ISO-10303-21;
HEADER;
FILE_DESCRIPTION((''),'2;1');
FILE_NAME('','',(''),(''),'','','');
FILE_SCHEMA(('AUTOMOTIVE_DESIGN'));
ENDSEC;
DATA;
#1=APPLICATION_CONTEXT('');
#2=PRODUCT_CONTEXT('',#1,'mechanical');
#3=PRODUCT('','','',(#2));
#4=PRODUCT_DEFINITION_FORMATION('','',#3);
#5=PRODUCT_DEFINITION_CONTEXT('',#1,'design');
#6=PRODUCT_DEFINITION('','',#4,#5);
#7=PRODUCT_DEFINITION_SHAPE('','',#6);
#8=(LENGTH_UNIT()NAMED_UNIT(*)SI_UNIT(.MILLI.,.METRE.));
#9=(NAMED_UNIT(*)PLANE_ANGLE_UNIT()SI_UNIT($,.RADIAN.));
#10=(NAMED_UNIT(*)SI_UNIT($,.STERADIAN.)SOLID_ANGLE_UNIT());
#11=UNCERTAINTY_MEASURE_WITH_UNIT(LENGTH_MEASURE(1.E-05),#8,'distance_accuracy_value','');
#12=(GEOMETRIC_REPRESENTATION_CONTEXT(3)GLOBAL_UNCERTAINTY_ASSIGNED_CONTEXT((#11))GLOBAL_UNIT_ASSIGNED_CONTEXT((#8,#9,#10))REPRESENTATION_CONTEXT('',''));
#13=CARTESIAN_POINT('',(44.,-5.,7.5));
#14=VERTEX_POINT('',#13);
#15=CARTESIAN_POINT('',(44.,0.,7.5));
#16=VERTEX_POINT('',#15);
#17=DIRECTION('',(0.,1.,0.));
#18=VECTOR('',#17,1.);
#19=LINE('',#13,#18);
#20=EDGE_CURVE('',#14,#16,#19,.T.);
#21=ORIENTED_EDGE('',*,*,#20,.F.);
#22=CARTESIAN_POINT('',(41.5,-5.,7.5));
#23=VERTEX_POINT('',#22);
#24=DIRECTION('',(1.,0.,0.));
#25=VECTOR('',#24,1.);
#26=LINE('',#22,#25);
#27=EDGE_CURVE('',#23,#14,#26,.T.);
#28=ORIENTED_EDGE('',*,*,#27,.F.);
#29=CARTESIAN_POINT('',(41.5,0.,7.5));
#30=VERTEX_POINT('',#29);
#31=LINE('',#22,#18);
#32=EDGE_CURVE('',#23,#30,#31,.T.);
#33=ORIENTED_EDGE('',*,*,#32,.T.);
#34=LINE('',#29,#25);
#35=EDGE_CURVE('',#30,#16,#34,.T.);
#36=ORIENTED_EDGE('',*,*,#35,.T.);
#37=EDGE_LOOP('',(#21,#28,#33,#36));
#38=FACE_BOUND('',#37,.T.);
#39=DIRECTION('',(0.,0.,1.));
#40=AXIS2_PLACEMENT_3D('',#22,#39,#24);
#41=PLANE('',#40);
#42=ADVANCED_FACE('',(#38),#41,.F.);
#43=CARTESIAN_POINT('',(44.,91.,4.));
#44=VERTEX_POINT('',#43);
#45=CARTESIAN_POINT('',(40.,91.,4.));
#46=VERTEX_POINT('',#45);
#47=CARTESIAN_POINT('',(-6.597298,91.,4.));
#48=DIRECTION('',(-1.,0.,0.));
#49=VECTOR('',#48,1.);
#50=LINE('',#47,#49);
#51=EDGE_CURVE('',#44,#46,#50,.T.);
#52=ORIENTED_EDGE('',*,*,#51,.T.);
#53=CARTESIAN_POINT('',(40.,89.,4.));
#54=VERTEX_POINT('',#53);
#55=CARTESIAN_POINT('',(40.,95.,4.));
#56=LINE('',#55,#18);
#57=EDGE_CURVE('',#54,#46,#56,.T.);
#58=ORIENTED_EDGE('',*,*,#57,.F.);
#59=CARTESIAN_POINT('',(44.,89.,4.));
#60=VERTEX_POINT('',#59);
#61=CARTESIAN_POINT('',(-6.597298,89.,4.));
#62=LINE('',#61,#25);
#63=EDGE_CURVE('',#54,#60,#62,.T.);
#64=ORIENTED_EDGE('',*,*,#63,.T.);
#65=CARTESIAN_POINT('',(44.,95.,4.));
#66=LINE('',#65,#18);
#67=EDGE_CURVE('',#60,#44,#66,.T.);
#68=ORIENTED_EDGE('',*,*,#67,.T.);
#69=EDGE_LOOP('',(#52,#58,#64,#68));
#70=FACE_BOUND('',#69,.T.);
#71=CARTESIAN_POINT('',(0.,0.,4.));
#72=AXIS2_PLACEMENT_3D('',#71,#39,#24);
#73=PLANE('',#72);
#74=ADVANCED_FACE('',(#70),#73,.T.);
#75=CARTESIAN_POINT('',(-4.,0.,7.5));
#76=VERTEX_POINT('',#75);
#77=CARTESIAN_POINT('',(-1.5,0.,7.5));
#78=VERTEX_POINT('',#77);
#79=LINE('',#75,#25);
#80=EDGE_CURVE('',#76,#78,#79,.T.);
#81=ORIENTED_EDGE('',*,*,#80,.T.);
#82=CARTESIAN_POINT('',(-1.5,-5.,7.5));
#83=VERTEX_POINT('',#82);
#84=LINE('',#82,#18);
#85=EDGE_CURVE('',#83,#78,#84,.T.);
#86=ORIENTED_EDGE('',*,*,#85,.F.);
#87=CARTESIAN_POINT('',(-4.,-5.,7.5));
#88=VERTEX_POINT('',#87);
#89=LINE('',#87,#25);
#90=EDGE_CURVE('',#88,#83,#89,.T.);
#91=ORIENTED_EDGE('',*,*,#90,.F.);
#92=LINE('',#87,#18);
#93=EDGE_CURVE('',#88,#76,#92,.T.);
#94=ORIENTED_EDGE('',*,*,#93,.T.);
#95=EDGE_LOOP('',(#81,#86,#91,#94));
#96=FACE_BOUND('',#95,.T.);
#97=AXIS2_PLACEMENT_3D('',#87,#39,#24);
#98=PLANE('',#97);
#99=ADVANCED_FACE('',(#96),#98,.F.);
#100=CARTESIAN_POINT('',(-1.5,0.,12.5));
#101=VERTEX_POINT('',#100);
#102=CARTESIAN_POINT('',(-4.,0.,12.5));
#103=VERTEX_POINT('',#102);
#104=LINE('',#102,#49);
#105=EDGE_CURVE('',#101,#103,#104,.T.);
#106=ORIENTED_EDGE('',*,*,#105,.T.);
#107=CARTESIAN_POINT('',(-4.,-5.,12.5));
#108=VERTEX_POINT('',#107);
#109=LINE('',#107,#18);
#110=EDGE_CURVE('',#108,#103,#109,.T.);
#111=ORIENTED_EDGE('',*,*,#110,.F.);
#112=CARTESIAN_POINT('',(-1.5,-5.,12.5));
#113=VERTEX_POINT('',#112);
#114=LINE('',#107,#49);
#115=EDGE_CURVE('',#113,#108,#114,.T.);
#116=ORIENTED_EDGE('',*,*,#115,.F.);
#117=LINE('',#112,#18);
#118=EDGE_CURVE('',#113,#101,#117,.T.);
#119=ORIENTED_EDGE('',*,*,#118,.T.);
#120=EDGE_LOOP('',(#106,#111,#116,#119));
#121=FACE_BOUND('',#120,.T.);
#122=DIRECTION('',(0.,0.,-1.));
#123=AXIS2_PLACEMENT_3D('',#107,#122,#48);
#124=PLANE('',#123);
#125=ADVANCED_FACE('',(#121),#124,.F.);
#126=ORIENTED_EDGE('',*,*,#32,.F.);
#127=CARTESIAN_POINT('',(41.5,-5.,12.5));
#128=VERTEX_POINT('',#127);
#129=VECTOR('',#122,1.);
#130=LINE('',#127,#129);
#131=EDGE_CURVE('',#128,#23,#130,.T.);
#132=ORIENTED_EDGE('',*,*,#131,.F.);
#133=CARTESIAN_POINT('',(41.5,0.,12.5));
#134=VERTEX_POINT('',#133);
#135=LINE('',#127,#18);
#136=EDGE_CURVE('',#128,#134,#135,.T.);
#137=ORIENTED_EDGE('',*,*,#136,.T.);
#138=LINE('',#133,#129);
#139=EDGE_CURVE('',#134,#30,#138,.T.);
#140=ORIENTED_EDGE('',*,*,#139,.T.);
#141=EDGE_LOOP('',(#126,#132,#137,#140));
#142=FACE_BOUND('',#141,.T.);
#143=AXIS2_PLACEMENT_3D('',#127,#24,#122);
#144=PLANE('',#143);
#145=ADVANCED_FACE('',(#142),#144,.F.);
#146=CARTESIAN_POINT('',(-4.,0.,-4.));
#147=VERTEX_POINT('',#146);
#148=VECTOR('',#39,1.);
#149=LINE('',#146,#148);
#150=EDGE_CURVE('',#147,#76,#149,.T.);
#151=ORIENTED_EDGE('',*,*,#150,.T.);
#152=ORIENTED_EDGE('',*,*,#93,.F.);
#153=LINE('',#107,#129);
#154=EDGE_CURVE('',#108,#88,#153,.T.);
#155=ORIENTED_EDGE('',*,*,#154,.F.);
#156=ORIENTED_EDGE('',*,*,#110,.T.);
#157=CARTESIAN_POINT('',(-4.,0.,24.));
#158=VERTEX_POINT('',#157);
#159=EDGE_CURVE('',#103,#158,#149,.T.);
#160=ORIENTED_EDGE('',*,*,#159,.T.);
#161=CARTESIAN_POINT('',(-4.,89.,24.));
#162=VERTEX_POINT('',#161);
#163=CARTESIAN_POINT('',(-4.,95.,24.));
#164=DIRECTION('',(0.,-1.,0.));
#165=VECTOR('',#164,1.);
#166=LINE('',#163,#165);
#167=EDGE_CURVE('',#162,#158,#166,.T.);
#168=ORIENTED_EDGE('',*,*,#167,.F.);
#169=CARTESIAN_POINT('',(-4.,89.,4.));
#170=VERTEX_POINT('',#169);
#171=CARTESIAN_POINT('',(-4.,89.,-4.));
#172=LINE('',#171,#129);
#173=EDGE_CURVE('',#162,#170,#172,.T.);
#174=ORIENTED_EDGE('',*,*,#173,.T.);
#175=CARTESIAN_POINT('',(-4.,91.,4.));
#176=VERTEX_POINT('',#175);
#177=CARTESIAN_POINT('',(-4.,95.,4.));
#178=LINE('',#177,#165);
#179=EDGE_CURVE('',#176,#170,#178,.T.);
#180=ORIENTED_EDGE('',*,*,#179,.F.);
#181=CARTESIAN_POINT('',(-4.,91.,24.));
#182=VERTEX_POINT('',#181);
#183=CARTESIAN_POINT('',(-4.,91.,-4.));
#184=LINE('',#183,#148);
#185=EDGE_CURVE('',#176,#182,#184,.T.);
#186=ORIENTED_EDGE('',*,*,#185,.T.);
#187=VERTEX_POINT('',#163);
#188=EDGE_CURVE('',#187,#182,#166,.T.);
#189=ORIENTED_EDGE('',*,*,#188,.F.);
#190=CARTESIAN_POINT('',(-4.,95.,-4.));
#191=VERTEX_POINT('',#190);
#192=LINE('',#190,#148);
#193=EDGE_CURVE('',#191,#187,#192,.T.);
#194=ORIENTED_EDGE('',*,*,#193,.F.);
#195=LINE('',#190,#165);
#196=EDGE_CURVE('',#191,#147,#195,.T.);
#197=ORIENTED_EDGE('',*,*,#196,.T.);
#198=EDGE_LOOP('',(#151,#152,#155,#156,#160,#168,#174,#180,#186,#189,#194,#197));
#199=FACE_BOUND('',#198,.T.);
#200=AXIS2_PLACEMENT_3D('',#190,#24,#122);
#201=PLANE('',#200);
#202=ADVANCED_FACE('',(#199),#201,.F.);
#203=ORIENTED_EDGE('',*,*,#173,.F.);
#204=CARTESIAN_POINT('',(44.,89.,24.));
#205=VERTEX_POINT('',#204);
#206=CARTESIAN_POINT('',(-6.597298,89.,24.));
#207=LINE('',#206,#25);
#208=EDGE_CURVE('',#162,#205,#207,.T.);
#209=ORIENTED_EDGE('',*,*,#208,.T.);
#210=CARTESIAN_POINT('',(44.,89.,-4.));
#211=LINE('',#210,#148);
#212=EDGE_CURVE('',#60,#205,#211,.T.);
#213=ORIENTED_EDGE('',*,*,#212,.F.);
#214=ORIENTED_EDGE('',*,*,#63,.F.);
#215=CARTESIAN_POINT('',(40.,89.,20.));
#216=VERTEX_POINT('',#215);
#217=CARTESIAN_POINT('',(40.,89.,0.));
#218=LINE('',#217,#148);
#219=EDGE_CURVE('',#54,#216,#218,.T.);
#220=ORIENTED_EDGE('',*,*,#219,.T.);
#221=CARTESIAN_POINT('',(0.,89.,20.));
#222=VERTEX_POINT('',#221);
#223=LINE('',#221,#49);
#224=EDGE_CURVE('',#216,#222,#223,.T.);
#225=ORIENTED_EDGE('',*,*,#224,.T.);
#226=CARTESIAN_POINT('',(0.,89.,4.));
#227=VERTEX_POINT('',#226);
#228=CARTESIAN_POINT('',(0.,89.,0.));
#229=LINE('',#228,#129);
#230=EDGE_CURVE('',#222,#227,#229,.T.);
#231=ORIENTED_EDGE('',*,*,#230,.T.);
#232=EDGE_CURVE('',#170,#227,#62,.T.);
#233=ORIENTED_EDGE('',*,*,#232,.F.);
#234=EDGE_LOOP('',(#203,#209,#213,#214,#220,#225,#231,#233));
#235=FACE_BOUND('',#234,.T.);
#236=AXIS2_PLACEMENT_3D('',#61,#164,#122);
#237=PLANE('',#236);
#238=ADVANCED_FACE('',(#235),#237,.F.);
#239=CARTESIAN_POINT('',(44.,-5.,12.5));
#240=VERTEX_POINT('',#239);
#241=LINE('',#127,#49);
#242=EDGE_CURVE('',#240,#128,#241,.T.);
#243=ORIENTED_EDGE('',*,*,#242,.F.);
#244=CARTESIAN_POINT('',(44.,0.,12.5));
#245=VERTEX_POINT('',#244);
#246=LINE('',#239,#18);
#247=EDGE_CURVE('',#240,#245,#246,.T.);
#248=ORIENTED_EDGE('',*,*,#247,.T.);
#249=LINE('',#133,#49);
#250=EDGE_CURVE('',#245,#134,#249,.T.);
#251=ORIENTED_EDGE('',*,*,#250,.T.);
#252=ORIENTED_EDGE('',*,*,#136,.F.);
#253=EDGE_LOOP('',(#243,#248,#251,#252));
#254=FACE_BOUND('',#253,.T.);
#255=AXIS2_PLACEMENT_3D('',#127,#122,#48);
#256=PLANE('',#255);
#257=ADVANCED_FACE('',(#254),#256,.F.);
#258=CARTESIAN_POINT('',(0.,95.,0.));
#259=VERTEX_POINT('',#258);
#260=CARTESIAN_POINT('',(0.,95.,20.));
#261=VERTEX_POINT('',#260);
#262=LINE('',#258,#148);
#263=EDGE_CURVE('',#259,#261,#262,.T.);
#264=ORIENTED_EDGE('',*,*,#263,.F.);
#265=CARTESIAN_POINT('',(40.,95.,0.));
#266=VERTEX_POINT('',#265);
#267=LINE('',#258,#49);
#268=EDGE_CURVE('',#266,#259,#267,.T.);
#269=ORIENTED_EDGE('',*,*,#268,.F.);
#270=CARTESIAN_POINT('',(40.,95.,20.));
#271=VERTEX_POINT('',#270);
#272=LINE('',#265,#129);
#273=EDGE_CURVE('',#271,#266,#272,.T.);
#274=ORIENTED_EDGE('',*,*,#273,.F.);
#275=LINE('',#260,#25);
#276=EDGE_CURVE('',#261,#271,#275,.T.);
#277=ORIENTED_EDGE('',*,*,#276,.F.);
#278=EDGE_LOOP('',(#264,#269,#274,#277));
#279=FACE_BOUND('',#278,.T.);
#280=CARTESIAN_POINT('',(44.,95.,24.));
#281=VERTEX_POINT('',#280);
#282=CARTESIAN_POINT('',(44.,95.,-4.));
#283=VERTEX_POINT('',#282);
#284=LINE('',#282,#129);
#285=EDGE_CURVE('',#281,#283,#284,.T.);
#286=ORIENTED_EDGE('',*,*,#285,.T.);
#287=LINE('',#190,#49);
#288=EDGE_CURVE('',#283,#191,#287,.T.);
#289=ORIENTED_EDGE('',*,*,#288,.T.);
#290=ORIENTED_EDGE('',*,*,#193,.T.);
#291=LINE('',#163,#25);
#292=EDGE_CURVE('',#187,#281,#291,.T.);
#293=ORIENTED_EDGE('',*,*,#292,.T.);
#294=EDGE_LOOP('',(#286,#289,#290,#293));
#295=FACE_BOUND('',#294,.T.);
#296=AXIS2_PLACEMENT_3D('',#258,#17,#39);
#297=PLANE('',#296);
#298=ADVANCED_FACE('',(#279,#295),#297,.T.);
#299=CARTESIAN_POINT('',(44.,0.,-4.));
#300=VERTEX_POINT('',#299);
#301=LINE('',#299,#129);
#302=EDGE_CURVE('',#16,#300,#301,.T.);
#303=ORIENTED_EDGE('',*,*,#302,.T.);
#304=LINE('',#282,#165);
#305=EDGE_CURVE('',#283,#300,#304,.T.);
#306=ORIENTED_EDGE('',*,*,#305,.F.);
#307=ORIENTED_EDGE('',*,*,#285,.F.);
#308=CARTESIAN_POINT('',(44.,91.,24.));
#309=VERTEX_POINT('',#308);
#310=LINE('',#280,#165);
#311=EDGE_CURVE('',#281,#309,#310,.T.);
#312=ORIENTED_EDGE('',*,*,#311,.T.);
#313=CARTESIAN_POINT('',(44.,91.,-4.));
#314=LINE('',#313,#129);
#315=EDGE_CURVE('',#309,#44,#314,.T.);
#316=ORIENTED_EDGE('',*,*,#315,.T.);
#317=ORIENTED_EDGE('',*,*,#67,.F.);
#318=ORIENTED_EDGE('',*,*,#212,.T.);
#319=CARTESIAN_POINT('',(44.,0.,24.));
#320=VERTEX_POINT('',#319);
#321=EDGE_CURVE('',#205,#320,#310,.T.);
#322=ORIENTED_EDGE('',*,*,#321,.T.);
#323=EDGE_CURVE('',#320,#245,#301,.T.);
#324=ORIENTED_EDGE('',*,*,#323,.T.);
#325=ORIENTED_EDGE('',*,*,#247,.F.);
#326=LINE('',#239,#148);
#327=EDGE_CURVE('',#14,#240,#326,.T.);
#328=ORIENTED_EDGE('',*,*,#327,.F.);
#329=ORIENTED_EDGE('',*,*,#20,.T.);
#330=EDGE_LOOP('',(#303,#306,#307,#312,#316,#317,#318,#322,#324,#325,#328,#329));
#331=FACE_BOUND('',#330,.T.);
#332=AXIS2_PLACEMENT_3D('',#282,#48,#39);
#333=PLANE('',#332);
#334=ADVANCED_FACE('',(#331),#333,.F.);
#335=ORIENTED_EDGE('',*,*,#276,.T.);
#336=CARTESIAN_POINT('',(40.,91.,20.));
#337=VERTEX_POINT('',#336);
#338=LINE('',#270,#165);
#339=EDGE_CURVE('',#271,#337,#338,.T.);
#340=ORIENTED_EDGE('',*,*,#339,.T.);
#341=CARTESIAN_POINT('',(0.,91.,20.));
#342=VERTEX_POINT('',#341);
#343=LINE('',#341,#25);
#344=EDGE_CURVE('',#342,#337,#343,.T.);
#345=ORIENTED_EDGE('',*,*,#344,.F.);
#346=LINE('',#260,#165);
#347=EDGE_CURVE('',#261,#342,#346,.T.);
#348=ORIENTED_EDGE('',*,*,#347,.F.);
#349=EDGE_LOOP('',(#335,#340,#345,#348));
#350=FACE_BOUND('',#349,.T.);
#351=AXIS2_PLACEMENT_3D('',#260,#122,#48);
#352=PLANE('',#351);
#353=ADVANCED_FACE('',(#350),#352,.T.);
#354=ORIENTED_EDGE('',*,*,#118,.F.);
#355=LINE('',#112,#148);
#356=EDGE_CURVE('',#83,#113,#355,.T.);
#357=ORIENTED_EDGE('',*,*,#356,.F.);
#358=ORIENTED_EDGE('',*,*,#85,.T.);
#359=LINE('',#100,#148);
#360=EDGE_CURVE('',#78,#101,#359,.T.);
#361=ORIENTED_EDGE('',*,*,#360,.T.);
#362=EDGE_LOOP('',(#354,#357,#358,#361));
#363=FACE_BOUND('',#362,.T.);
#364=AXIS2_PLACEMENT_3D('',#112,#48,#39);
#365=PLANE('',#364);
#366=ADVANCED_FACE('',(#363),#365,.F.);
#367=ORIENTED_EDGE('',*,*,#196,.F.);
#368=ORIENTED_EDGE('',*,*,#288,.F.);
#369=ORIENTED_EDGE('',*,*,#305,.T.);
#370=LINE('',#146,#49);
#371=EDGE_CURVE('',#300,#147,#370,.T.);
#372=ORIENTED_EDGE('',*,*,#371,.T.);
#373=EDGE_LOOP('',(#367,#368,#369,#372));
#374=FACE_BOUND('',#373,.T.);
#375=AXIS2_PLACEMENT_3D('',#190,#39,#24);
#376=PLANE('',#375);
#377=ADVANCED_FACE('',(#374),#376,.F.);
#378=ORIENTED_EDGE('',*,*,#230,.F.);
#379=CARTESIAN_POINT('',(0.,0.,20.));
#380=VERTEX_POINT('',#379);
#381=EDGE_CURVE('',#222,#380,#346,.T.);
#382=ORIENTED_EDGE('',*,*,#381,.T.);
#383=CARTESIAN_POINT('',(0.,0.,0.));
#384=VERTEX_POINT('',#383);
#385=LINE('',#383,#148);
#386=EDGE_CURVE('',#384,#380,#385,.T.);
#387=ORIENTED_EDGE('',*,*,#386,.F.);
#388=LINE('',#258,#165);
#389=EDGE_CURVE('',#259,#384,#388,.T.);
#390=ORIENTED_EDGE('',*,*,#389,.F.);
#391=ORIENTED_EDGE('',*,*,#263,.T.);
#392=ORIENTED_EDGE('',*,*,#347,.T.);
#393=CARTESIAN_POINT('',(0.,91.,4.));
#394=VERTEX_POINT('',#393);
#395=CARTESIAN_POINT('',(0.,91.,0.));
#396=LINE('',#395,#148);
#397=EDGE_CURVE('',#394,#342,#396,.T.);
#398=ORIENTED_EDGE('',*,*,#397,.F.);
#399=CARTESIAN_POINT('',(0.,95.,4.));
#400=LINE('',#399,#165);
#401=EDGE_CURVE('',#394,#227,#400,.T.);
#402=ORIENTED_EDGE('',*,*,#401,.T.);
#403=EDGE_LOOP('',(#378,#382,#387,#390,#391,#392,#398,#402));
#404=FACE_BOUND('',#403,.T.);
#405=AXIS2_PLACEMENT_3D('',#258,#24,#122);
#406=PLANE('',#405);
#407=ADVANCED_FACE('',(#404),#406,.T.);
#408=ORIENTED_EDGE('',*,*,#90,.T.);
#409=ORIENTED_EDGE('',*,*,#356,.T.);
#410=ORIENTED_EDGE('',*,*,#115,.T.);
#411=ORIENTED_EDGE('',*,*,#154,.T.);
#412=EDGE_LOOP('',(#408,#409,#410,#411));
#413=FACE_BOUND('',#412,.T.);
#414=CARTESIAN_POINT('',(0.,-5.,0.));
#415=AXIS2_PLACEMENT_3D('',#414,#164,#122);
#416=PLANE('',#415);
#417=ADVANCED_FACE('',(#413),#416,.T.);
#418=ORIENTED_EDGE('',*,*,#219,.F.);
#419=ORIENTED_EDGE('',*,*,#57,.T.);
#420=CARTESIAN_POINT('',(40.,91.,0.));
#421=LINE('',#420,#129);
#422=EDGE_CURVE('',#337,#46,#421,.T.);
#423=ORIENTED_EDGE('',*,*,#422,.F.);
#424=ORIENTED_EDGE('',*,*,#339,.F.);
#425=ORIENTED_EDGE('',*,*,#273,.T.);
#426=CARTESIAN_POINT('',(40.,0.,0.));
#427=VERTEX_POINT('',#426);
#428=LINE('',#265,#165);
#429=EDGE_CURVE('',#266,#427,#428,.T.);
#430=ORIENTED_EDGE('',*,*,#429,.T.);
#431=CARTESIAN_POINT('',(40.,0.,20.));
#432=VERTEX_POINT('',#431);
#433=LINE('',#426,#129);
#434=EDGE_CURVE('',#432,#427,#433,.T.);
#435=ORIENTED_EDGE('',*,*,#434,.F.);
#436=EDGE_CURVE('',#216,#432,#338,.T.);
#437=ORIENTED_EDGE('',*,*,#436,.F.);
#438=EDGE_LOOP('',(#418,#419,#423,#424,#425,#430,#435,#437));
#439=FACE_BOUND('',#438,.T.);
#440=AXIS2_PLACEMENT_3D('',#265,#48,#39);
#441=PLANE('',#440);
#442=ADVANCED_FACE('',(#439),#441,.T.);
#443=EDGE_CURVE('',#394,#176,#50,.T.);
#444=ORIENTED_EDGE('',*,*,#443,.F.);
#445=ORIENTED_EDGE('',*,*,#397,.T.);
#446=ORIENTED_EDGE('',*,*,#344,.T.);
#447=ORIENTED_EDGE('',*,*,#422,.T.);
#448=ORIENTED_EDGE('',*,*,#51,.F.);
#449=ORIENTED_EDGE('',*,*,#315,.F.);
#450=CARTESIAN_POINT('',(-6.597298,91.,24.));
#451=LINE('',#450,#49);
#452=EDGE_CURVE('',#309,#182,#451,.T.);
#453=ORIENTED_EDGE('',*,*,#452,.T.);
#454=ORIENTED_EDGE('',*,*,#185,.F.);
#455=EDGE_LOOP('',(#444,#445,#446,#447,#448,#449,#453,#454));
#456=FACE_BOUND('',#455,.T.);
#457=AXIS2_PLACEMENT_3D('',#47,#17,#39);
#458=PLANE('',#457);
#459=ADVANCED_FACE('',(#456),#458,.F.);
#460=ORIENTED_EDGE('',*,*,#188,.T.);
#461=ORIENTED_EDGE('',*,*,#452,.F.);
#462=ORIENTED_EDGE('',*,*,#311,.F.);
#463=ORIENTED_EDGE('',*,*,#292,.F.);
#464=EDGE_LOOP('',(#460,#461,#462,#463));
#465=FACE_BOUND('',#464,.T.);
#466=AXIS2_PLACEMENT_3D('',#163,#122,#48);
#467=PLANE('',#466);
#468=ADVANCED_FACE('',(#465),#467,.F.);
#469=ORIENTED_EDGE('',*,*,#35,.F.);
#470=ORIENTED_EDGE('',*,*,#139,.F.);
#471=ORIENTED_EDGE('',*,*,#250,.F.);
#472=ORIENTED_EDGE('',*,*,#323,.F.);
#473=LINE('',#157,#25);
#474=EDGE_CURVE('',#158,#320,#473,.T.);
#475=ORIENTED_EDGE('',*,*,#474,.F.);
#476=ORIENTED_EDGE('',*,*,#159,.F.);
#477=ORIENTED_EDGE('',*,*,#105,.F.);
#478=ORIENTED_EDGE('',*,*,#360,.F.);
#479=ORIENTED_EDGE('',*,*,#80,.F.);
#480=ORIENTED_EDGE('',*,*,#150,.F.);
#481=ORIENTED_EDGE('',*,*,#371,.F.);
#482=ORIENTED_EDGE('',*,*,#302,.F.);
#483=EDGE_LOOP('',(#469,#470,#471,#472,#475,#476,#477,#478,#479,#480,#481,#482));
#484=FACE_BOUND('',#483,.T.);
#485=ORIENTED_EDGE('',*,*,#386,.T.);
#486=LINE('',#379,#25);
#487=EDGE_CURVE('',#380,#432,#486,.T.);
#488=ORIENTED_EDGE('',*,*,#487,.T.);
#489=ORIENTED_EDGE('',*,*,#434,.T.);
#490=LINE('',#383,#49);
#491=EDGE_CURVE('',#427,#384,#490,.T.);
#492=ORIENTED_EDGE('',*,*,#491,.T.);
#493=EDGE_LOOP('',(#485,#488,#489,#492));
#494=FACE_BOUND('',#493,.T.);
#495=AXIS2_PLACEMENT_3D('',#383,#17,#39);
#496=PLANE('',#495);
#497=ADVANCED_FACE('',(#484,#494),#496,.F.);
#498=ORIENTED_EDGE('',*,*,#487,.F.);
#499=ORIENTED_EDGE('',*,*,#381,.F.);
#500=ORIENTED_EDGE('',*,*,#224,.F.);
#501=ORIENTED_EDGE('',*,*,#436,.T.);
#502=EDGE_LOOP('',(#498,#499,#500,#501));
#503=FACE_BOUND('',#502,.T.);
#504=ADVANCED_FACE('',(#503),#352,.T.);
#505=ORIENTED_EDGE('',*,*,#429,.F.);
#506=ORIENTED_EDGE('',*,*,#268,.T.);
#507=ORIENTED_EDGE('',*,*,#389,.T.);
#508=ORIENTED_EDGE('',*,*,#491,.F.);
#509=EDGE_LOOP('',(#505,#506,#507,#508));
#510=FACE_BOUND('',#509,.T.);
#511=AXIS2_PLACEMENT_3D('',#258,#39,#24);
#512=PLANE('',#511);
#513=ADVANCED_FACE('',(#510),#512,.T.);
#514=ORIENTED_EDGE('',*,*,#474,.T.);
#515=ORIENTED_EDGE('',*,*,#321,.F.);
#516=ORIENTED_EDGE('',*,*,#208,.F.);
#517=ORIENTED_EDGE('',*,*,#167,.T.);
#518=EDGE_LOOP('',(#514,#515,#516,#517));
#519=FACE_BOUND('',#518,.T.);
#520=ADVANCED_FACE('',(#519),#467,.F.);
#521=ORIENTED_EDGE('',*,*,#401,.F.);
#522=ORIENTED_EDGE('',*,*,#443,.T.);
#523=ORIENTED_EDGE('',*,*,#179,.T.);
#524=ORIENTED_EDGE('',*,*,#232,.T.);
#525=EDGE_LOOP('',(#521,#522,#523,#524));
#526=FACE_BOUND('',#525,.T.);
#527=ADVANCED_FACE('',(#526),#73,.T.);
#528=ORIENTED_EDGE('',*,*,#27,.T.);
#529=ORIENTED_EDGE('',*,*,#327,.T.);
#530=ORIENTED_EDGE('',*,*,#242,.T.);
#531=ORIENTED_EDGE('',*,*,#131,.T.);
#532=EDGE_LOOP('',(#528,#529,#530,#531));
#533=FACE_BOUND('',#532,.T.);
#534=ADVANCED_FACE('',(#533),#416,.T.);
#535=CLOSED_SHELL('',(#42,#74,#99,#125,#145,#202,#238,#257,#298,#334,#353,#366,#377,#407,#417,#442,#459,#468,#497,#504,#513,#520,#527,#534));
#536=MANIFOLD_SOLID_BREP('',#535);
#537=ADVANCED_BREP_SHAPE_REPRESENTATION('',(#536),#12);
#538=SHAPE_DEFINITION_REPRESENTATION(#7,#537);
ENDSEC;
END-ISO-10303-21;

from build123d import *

# Parameters (mm, degrees)
SKETCH1_W           = 48
SKETCH1_H           = 28
SKETCH1_W_2         = 40
SKETCH1_H_2         = 20
BOSS_EXTRUDE1_DEPTH = 95
SKETCH6_W           = 2.5
SKETCH6_H           = 5
BOSS_EXTRUDE3_DEPTH = 5
SKETCH7_W           = 55.319039298
SKETCH7_H           = 2
CUT_EXTRUDE1_DEPTH  = 20


with BuildPart() as part:
    # Sketch1 → Boss-Extrude1 (new body)
    with BuildSketch(Plane(origin=(0, 0, 0), x_dir=(1, 0, 0), z_dir=(0, 1, 0))):
        with Locations((20, -10)):
            Rectangle(SKETCH1_W, SKETCH1_H)
        with Locations((20, -10)):
            Rectangle(SKETCH1_W_2, SKETCH1_H_2, mode=Mode.SUBTRACT)
    extrude(amount=BOSS_EXTRUDE1_DEPTH)

    # Sketch6 → Boss-Extrude3 (add)
    with BuildSketch(Plane.XZ):
        with Locations((-2.75, 10)):
            Rectangle(SKETCH6_W, SKETCH6_H)
        with Locations((42.75, 10)):
            Rectangle(SKETCH6_W, SKETCH6_H)
    extrude(amount=BOSS_EXTRUDE3_DEPTH)

    # Sketch7 → Cut-Extrude1 (cut)
    with BuildSketch(Plane.XY.offset(24)):
        with Locations((21.062221668, 90)):
            Rectangle(SKETCH7_W, SKETCH7_H)
    extrude(amount=-CUT_EXTRUDE1_DEPTH, mode=Mode.SUBTRACT)


solid = part.part
